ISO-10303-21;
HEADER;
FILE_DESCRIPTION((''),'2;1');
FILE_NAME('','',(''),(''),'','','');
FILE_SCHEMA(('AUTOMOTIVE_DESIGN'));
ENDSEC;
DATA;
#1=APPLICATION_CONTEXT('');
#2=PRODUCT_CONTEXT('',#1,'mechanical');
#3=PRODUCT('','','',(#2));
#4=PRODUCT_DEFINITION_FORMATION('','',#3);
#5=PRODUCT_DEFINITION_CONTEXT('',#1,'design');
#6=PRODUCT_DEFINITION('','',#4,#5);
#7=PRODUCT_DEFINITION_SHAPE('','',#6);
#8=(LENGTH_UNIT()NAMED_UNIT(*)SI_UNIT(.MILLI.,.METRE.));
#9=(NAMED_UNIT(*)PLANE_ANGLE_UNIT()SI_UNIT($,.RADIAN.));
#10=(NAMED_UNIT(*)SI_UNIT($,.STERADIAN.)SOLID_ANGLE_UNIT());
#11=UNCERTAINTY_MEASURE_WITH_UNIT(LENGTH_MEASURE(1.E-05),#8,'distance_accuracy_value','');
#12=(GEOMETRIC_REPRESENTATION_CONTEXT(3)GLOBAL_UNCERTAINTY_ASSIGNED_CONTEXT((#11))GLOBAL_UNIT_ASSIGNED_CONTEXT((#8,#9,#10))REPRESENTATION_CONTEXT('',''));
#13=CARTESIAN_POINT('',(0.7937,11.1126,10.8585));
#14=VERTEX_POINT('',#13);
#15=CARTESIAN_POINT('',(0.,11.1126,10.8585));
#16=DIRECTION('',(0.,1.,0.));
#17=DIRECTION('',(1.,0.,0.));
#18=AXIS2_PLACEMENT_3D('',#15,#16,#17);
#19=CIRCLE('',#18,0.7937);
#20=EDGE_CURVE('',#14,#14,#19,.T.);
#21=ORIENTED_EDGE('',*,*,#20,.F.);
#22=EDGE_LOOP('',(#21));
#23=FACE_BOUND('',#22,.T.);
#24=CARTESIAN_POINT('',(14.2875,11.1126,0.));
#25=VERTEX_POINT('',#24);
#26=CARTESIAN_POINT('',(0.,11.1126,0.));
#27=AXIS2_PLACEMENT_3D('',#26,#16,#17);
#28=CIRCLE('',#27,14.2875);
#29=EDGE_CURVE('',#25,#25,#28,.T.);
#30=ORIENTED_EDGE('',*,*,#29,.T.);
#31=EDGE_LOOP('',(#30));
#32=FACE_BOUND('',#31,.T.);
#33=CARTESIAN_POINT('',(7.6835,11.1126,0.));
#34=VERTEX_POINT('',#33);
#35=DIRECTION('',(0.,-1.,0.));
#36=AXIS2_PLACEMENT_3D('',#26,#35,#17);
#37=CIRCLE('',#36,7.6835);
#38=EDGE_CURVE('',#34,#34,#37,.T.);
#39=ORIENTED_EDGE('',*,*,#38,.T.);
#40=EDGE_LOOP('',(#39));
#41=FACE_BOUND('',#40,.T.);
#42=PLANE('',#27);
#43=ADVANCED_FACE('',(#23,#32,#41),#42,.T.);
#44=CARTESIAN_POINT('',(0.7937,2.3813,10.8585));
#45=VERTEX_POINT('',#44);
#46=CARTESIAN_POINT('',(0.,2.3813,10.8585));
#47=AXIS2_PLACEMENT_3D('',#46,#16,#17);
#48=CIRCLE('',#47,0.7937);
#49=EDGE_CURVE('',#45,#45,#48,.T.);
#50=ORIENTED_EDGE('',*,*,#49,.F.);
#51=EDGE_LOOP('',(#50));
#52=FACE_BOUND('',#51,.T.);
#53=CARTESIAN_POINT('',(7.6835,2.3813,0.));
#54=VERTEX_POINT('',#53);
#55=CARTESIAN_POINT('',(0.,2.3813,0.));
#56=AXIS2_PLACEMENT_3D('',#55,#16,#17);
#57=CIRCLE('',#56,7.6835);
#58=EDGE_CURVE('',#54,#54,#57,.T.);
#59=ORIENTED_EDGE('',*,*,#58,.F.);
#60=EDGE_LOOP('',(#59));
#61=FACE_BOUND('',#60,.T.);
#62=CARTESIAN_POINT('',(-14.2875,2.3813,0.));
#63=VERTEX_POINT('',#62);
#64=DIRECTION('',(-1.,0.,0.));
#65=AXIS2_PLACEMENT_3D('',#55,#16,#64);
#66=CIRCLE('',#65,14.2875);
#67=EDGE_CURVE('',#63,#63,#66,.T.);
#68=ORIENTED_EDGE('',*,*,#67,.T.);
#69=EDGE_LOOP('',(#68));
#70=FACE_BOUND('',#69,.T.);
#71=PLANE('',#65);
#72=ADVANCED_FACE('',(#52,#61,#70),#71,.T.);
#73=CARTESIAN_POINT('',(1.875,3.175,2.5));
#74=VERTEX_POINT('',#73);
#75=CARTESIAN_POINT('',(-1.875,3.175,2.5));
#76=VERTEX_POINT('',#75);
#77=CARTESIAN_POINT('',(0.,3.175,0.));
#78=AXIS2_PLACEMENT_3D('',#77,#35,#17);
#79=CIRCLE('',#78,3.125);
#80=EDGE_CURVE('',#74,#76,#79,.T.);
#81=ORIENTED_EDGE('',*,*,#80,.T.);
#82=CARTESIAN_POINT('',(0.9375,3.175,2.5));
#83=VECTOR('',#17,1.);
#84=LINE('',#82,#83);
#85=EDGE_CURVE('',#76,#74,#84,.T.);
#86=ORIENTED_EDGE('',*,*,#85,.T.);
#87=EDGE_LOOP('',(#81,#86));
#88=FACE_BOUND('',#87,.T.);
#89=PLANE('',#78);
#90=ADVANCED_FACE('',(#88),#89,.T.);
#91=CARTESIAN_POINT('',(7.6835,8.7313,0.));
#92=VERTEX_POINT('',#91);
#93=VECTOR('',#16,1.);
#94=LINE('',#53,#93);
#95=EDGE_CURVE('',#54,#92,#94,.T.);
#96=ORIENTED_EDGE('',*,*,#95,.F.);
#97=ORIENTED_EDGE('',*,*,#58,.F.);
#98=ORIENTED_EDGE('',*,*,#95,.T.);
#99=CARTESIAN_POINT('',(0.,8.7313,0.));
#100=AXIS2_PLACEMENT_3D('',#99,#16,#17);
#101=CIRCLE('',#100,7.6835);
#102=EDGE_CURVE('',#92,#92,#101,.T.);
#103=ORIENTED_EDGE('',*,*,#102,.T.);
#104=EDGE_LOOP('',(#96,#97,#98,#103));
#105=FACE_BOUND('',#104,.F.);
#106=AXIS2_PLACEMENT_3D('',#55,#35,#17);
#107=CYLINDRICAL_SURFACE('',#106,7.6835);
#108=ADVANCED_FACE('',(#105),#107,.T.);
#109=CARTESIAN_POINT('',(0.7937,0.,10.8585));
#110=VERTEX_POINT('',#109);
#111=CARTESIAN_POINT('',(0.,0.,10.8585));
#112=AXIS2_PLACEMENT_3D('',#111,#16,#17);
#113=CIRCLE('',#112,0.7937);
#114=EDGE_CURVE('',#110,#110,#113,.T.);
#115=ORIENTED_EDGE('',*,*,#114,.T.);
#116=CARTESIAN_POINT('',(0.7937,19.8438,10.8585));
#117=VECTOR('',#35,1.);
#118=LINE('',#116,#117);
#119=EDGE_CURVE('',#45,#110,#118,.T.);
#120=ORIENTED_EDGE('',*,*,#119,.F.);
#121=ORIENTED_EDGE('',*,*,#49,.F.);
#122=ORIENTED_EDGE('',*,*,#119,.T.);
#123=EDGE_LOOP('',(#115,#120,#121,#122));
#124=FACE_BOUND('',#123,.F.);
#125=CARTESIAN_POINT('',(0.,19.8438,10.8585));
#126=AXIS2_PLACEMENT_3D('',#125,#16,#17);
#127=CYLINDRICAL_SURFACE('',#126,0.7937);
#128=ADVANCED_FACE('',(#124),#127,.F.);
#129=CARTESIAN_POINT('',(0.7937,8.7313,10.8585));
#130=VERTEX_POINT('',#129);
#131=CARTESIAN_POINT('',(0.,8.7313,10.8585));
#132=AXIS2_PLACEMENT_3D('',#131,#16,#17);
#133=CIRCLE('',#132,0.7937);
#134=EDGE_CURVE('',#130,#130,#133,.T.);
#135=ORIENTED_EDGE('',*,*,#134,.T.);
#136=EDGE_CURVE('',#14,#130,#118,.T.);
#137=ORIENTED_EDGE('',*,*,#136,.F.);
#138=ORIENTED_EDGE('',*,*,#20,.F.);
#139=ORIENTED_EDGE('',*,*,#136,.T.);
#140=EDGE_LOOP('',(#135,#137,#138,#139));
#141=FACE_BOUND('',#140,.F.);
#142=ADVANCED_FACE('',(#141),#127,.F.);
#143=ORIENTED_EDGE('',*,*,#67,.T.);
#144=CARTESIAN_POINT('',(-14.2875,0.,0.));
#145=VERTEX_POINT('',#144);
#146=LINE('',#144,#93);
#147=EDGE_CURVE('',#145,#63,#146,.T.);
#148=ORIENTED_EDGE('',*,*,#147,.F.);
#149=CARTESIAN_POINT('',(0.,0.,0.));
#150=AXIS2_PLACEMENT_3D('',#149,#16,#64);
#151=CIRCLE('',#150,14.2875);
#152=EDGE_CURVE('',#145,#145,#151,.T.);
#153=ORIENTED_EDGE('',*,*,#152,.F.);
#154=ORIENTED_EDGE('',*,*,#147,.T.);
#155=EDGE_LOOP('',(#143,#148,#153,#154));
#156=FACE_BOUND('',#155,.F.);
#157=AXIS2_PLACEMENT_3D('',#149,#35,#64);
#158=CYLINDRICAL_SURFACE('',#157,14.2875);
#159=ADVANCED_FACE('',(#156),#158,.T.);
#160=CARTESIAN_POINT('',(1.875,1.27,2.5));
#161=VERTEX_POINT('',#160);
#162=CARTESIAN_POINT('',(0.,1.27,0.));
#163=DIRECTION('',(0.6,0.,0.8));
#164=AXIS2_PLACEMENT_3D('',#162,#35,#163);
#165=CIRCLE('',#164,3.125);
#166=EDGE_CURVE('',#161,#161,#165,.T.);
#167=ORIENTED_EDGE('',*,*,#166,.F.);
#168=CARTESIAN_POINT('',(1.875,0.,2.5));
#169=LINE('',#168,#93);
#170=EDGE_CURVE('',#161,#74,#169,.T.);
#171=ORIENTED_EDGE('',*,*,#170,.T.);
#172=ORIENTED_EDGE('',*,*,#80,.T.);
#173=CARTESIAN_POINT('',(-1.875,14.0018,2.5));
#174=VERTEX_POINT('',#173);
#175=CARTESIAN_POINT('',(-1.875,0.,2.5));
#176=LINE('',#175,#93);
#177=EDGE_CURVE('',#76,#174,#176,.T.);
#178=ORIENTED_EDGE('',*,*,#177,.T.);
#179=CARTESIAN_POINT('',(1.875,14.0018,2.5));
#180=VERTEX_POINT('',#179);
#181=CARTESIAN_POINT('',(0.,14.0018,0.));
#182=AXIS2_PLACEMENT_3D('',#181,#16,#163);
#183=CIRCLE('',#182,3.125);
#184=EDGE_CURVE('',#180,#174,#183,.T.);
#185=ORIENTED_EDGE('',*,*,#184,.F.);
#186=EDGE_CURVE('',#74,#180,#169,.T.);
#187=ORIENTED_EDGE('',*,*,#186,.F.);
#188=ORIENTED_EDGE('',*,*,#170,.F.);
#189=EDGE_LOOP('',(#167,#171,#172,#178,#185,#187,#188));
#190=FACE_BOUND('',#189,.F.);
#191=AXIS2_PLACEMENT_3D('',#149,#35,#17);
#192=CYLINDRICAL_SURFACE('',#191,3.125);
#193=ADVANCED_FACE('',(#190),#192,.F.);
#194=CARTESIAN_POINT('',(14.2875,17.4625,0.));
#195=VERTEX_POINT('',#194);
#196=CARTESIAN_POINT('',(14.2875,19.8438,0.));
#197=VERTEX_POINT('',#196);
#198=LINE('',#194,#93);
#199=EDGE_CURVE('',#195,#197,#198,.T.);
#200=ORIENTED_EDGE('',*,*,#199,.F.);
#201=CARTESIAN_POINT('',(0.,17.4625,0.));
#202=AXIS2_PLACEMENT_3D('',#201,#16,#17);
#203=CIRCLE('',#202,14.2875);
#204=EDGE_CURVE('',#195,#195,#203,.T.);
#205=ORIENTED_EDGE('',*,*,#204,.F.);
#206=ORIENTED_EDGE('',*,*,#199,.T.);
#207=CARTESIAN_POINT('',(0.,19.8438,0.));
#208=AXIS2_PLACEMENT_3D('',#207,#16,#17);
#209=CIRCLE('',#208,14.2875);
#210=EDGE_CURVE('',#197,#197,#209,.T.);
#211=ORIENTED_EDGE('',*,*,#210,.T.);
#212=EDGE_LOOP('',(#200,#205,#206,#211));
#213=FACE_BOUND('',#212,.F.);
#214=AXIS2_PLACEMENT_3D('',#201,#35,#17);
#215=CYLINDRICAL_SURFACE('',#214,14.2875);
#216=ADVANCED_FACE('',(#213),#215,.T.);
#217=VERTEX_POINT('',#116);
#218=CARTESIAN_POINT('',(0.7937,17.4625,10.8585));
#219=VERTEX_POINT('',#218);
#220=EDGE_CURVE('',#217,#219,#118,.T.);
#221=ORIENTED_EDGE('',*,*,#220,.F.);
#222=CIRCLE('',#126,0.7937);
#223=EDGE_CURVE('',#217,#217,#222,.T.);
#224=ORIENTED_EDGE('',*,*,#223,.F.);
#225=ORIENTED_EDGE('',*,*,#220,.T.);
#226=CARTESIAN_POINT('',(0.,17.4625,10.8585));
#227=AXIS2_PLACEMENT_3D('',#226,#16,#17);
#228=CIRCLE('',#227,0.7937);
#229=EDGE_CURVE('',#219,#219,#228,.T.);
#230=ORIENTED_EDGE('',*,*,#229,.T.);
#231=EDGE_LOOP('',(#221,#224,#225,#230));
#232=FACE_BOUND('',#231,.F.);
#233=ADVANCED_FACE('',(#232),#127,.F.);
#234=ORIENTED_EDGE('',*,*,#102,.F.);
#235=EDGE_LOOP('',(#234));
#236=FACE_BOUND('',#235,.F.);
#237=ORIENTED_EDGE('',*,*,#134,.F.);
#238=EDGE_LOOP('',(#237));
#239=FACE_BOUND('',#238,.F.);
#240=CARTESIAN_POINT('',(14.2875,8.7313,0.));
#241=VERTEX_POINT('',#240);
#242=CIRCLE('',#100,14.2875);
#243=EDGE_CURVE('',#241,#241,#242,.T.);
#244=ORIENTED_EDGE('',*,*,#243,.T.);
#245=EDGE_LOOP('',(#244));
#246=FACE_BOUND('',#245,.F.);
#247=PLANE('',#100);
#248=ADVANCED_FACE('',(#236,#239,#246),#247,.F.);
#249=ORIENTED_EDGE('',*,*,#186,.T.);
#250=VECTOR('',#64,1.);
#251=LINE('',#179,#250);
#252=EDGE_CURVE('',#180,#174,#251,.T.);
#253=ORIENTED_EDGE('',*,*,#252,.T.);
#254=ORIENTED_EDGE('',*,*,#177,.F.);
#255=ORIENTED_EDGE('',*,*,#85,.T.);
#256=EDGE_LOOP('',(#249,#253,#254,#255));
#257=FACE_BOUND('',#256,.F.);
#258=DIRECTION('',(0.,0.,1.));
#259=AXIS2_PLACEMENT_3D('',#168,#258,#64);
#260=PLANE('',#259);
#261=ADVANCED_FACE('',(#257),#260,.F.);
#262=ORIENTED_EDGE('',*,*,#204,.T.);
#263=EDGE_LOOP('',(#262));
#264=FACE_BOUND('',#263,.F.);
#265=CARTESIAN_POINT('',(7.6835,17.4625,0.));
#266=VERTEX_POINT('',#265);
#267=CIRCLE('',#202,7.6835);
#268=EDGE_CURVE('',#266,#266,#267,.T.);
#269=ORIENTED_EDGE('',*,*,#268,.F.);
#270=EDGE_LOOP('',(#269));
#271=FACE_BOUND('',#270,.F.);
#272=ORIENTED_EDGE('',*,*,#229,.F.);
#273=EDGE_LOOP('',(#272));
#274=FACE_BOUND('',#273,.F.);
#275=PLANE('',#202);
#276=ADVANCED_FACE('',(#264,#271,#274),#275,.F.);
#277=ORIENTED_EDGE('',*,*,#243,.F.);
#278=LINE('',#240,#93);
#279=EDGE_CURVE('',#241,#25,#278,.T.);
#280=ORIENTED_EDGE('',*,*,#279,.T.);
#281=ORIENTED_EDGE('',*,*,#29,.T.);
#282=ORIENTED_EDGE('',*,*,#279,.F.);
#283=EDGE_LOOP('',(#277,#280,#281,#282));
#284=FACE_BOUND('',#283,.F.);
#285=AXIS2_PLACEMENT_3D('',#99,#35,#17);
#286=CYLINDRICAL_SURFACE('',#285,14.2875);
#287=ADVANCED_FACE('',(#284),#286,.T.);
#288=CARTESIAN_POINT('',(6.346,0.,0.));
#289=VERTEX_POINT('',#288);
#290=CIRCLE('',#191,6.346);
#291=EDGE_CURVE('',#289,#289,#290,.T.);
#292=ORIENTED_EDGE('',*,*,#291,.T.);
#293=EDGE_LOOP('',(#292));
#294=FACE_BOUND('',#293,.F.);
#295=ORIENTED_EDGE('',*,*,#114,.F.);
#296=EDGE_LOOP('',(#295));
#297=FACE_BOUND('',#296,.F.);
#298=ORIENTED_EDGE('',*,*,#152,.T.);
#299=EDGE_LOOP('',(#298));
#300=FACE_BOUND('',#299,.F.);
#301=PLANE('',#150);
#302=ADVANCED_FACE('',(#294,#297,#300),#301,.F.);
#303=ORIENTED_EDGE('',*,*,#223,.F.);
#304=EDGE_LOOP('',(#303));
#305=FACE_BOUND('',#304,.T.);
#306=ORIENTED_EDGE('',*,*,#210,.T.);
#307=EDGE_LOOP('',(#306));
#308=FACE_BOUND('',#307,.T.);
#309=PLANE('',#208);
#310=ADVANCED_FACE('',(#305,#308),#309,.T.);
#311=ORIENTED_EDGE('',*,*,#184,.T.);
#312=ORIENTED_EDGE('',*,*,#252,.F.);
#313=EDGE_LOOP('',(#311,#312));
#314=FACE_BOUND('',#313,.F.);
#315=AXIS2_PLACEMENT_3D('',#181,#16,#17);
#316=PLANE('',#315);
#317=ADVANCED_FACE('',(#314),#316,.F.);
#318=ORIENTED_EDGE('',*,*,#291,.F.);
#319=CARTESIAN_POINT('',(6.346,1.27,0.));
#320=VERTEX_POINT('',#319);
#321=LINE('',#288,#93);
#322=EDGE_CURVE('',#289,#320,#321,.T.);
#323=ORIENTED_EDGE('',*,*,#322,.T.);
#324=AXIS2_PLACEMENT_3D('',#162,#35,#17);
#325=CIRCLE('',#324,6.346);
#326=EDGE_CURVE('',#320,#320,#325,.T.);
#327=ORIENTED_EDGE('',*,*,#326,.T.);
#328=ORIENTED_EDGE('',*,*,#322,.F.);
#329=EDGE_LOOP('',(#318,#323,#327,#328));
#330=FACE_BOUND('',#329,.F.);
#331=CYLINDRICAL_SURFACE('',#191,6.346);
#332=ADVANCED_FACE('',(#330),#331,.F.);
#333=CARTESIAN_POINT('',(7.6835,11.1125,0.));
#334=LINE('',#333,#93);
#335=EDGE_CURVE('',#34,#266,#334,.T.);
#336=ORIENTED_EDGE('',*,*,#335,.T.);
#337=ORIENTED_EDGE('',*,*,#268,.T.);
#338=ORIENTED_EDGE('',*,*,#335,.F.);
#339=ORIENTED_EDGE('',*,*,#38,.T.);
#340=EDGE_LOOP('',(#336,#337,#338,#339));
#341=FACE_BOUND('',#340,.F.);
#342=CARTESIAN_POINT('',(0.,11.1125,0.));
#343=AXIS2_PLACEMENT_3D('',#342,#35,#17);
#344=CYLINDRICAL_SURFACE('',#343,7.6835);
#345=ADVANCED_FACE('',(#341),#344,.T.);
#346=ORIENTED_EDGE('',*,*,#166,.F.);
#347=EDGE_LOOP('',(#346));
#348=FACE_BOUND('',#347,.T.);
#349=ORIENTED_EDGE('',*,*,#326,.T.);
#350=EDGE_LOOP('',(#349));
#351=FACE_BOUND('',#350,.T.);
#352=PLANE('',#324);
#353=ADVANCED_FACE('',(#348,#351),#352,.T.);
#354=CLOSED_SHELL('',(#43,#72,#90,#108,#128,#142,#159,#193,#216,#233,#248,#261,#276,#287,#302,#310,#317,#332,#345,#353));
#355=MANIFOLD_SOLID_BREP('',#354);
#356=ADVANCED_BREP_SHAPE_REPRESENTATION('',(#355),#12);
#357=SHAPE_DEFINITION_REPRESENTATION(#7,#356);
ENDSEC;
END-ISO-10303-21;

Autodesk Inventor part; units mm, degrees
ref_plane "YZ Plane" through (0, 0, 0) normal (1, 0, 0) x (0, 1, 0)
ref_plane "XZ Plane" through (0, 0, 0) normal (0, 1, 0) x (-1, 0, 0)
ref_plane "XY Plane" through (0, 0, 0) normal (0, 0, 1) x (1, 0, 0)
sketch "Sketch1" plane through (0, 0, 0) normal (0, 1, 0) x (-1, 0, 0)
  circle A0 centre (0, 0) radius 14.2875
  dimension "d0" = 28.575
extrude "Extrusion1" add sketch "Sketch1" along normal blind 2.3813
sketch "Sketch2" plane through (0, 2.3813, 0) normal (0, 1, 0) x (1, 0, 0)
  circle A0 centre (0, 0) radius 6.096 construction
  circle A1 centre (0, 0) radius 7.6835
  dimension "d6" = 12.192
  dimension "d7" = 1.5875
extrude "Extrusion2" add sketch "Sketch2" along normal blind 6.35
sketch "Sketch3" plane through (0, 8.7313, 0) normal (0, 1, 0) x (1, 0, 0)
  circle A0 centre (0, 0) radius 14.2875
  circle A1 centre (0, 0) radius 14.2875 projected
extrude "Extrusion3" add sketch "Sketch3" along normal blind 2.3813
sketch "Sketch4" plane through (0, 11.1125, 0) normal (0, 1, 0) x (1, 0, 0)
  circle A0 centre (0, 0) radius 7.6835 projected
  circle A1 centre (0, 0) radius 7.6835
extrude "Extrusion4" add sketch "Sketch4" along normal blind 6.35
sketch "Sketch5" plane through (0, 17.4625, 0) normal (0, 1, 0) x (1, 0, 0)
  circle A0 centre (0, 0) radius 14.2875
  circle A1 centre (0, 0) radius 14.2875 projected
extrude "Extrusion5" add sketch "Sketch5" along normal blind 2.3813
sketch "Sketch6" plane through (0, 0, 0) normal (0, -1, 0) x (1, 0, 0)
  circle A0 centre (0, 0) radius 3.125
  line L0 (1.875, 2.5) -> (-1.875, 2.5)
  dimension "d16" = 6.25
  dimension "d35" = 2.5
extrude "Extrusion6" cut sketch "Sketch6" against normal through all contours A0 L0 picked at (0.5554, 0.5311)
sketch "Sketch7" plane through (0, 0, 0) normal (0, -1, 0) x (1, 0, 0)
  circle A0 centre (0, 0) radius 6.346
  dimension "d20" = 12.692
extrude "Extrusion7" cut sketch "Sketch7" against normal blind 1.27
sketch "Sketch8" plane through (0, 0, 0) normal (0, -1, 0) x (1, 0, 0)
  circle A0 centre (0, 0) radius 3.125
  arc A1 (-1.875, 2.5) -> (1.875, 2.5) centre (0, 0) ccw projected
extrude "Extrusion8" cut sketch "Sketch8" against normal blind 3.175
sketch "Sketch9" plane through (0, 19.8438, 0) normal (0, 1, 0) x (1, 0, 0)
  circle A0 centre (0, 0) radius 7.6835 projected
  circle A1 centre (0, -10.8585) radius 0.7937
  point P0 (0, -7.6835)
  dimension "d31" = 1.5875
  dimension "d32" = 3.175
extrude "Extrusion9" cut sketch "Sketch9" against normal through all contours A1
sketch "Sketch10" plane through (0, 19.8438, 0) normal (0, 1, 0) x (1, 0, 0)
  circle A0 centre (0, -10.8585) radius 0.7937 projected
  line L0 (1.875, -2.5) -> (-1.875, -2.5) projected
  arc A1 (1.875, -2.5) -> (-1.875, -2.5) centre (0, 0) ccw projected
  circle A2 centre (0, 0) radius 14.2875 projected
extrude "Extrusion10" add sketch "Sketch10" against normal blind 5.842 contours L0 A1
equation "\"d10\" = d1"
equation "\"d12\" = d8"
equation "\"d14\" = d1"
equation "\"d18\" = d1"
equation "\"d1\" = 2.38125"
equation "\"d8\" = 6.35"
properties part number "PulleyV2_3DPrint"
